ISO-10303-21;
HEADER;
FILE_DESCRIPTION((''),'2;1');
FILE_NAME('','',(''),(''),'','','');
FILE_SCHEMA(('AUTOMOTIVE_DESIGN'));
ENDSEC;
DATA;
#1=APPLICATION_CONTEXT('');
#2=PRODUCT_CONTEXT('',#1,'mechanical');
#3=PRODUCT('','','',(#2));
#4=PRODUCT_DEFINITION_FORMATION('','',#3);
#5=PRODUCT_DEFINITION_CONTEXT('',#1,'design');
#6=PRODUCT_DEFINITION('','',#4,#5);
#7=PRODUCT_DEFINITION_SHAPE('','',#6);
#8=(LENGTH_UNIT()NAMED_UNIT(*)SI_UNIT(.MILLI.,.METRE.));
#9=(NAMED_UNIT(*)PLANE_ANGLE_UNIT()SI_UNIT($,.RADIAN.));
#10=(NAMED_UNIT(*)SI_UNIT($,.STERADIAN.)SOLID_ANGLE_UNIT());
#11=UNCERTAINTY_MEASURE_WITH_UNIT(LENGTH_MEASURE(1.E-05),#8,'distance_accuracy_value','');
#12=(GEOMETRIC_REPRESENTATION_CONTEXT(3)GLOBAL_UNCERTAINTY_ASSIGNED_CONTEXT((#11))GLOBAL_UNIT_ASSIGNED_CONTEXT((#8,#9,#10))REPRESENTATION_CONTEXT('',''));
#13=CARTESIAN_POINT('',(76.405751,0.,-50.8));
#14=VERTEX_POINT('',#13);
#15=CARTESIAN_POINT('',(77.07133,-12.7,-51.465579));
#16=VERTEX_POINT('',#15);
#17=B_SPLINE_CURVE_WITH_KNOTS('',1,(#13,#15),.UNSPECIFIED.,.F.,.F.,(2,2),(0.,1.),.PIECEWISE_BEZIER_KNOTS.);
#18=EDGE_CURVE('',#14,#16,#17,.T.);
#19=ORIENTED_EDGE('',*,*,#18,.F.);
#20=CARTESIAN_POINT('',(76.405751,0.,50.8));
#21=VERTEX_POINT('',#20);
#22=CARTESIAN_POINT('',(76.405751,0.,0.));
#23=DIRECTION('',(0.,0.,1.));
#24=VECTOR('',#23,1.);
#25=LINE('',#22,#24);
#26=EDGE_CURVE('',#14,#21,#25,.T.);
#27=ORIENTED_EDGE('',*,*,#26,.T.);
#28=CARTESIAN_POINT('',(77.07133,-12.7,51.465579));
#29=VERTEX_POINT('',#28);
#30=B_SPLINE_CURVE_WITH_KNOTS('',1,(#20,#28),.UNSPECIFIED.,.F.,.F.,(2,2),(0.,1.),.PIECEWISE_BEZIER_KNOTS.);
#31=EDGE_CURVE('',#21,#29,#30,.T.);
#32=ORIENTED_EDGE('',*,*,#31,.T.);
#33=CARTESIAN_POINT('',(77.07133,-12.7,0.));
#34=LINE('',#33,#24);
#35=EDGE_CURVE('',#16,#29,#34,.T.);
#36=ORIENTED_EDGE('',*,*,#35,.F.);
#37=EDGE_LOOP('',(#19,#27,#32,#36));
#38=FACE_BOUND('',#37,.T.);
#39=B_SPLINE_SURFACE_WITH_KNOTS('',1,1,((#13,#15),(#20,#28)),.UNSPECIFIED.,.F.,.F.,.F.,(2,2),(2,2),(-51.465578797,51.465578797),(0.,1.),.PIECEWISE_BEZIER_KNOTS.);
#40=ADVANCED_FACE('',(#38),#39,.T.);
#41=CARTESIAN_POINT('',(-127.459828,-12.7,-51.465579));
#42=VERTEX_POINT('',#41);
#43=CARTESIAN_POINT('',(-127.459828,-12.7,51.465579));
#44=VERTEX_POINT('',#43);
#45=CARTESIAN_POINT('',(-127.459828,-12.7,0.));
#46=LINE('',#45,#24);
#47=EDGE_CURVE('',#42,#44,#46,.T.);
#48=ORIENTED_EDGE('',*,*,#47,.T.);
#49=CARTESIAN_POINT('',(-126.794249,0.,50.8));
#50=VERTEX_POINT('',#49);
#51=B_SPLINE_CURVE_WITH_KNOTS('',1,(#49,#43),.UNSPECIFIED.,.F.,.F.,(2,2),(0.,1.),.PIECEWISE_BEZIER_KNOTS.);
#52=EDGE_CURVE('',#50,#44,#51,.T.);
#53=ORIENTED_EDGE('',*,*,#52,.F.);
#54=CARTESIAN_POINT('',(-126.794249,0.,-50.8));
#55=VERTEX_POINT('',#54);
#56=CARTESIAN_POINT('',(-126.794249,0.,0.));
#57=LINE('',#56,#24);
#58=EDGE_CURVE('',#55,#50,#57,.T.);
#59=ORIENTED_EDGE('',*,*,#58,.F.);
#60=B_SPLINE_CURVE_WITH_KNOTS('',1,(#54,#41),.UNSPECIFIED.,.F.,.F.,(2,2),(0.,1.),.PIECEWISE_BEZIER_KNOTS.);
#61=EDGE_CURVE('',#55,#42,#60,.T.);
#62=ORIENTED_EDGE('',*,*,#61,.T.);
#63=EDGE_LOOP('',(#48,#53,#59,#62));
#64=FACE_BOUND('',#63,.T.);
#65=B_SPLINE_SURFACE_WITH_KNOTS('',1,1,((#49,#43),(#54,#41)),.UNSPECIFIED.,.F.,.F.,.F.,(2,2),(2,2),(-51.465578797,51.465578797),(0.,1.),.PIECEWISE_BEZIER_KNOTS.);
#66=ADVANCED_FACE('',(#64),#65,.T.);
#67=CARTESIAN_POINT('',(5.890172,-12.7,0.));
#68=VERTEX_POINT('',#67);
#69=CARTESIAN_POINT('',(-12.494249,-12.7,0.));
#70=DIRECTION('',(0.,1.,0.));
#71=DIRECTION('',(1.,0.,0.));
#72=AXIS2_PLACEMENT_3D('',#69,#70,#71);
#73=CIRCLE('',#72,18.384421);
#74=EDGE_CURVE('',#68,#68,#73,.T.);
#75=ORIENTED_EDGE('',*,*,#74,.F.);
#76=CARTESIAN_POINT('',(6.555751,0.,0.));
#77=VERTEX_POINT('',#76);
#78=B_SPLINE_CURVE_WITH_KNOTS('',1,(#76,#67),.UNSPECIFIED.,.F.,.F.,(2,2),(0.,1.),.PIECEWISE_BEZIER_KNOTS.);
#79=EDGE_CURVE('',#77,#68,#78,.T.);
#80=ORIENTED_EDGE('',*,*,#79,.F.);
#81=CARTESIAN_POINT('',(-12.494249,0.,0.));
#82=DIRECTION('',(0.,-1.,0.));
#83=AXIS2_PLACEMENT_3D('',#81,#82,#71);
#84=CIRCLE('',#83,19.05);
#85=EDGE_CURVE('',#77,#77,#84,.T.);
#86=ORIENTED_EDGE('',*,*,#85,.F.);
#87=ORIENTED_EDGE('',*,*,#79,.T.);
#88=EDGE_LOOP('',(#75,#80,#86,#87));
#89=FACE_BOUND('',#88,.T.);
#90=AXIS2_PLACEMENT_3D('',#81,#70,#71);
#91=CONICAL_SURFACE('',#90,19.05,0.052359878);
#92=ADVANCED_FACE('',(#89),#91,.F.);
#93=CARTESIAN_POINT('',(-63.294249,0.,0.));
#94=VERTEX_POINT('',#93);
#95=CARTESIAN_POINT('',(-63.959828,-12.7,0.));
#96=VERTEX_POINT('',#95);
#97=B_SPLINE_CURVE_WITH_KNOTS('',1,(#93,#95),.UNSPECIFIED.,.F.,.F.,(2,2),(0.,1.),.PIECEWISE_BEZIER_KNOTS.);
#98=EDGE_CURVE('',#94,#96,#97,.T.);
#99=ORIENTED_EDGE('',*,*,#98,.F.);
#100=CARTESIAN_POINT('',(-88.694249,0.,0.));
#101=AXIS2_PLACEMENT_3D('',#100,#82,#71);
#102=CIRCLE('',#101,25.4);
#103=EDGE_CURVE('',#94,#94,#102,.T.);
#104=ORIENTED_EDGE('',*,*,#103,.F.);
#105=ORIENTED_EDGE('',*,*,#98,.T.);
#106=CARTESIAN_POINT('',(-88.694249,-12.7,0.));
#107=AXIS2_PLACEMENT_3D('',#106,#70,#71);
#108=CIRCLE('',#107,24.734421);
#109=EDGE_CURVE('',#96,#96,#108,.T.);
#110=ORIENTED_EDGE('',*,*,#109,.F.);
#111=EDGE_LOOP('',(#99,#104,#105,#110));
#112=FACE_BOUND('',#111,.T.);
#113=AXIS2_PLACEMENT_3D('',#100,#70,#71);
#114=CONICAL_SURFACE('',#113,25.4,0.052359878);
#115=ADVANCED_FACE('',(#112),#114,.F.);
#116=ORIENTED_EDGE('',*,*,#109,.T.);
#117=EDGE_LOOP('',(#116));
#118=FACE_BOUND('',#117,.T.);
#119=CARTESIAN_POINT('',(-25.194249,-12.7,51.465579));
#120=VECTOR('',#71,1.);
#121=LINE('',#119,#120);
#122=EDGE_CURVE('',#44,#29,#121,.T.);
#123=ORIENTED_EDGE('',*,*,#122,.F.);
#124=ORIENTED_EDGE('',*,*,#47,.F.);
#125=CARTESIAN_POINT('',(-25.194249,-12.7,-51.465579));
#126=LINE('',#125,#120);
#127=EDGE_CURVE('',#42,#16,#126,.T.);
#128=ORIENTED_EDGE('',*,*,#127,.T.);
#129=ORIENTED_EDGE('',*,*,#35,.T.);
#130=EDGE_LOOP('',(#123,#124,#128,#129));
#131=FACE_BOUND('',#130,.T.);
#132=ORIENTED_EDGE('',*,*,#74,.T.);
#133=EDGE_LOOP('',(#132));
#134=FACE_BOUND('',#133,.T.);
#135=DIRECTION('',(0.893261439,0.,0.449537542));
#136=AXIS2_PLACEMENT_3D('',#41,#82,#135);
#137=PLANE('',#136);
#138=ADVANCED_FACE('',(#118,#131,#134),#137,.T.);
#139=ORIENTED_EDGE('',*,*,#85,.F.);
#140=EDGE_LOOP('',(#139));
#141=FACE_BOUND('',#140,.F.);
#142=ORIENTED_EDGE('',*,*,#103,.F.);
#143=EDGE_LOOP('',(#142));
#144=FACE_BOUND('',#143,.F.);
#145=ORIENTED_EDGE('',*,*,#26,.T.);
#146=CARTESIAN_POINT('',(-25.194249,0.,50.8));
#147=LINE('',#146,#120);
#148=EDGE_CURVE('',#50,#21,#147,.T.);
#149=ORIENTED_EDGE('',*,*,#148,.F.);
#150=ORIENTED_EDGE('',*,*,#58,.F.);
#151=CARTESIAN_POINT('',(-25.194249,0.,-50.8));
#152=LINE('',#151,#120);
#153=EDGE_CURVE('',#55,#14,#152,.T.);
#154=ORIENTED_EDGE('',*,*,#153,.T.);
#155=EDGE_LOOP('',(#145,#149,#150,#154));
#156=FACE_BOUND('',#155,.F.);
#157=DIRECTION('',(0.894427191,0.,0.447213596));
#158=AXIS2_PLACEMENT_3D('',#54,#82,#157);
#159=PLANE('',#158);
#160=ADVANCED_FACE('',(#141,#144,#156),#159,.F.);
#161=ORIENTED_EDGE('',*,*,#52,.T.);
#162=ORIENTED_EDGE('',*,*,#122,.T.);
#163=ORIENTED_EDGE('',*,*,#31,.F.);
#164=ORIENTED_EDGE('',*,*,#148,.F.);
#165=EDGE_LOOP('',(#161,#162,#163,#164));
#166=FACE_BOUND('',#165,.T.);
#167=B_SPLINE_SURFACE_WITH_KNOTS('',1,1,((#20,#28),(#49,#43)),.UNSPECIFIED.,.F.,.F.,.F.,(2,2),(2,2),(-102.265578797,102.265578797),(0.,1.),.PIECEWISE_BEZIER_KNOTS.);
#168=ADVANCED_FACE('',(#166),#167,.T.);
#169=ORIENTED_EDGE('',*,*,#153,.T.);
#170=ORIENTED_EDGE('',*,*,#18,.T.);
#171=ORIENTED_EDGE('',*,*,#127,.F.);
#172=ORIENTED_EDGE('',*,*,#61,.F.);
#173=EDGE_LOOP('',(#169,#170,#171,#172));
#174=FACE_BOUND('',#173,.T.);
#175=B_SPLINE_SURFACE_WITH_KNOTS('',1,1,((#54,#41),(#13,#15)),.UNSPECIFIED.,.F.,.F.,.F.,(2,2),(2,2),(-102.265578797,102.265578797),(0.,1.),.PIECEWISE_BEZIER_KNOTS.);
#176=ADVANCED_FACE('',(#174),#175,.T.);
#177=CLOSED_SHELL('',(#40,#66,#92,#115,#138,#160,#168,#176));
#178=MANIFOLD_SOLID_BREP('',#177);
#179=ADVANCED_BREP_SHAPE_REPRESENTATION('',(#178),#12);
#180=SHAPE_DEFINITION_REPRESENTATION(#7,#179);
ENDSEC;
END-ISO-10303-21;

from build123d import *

# Parameters (mm, degrees)
F0_W     = 203.2
F0_H     = 101.6
F0_R     = 25.4
F0_R_2   = 19.05
F1_DEPTH = 12.7
F1_TAPER = -3


with BuildPart() as f1:
    # F0 (on Front) → F1 (new body)
    with BuildSketch(Plane.XZ):
        with Locations((-25.1942488194, 0)):
            Rectangle(F0_W, F0_H)
        with Locations((-88.6942488194, 0)):
            Circle(F0_R, mode=Mode.SUBTRACT)
        with Locations((-12.4942488194, 0)):
            Circle(F0_R_2, mode=Mode.SUBTRACT)
    extrude(amount=F1_DEPTH, taper=F1_TAPER)


solid = f1.part
